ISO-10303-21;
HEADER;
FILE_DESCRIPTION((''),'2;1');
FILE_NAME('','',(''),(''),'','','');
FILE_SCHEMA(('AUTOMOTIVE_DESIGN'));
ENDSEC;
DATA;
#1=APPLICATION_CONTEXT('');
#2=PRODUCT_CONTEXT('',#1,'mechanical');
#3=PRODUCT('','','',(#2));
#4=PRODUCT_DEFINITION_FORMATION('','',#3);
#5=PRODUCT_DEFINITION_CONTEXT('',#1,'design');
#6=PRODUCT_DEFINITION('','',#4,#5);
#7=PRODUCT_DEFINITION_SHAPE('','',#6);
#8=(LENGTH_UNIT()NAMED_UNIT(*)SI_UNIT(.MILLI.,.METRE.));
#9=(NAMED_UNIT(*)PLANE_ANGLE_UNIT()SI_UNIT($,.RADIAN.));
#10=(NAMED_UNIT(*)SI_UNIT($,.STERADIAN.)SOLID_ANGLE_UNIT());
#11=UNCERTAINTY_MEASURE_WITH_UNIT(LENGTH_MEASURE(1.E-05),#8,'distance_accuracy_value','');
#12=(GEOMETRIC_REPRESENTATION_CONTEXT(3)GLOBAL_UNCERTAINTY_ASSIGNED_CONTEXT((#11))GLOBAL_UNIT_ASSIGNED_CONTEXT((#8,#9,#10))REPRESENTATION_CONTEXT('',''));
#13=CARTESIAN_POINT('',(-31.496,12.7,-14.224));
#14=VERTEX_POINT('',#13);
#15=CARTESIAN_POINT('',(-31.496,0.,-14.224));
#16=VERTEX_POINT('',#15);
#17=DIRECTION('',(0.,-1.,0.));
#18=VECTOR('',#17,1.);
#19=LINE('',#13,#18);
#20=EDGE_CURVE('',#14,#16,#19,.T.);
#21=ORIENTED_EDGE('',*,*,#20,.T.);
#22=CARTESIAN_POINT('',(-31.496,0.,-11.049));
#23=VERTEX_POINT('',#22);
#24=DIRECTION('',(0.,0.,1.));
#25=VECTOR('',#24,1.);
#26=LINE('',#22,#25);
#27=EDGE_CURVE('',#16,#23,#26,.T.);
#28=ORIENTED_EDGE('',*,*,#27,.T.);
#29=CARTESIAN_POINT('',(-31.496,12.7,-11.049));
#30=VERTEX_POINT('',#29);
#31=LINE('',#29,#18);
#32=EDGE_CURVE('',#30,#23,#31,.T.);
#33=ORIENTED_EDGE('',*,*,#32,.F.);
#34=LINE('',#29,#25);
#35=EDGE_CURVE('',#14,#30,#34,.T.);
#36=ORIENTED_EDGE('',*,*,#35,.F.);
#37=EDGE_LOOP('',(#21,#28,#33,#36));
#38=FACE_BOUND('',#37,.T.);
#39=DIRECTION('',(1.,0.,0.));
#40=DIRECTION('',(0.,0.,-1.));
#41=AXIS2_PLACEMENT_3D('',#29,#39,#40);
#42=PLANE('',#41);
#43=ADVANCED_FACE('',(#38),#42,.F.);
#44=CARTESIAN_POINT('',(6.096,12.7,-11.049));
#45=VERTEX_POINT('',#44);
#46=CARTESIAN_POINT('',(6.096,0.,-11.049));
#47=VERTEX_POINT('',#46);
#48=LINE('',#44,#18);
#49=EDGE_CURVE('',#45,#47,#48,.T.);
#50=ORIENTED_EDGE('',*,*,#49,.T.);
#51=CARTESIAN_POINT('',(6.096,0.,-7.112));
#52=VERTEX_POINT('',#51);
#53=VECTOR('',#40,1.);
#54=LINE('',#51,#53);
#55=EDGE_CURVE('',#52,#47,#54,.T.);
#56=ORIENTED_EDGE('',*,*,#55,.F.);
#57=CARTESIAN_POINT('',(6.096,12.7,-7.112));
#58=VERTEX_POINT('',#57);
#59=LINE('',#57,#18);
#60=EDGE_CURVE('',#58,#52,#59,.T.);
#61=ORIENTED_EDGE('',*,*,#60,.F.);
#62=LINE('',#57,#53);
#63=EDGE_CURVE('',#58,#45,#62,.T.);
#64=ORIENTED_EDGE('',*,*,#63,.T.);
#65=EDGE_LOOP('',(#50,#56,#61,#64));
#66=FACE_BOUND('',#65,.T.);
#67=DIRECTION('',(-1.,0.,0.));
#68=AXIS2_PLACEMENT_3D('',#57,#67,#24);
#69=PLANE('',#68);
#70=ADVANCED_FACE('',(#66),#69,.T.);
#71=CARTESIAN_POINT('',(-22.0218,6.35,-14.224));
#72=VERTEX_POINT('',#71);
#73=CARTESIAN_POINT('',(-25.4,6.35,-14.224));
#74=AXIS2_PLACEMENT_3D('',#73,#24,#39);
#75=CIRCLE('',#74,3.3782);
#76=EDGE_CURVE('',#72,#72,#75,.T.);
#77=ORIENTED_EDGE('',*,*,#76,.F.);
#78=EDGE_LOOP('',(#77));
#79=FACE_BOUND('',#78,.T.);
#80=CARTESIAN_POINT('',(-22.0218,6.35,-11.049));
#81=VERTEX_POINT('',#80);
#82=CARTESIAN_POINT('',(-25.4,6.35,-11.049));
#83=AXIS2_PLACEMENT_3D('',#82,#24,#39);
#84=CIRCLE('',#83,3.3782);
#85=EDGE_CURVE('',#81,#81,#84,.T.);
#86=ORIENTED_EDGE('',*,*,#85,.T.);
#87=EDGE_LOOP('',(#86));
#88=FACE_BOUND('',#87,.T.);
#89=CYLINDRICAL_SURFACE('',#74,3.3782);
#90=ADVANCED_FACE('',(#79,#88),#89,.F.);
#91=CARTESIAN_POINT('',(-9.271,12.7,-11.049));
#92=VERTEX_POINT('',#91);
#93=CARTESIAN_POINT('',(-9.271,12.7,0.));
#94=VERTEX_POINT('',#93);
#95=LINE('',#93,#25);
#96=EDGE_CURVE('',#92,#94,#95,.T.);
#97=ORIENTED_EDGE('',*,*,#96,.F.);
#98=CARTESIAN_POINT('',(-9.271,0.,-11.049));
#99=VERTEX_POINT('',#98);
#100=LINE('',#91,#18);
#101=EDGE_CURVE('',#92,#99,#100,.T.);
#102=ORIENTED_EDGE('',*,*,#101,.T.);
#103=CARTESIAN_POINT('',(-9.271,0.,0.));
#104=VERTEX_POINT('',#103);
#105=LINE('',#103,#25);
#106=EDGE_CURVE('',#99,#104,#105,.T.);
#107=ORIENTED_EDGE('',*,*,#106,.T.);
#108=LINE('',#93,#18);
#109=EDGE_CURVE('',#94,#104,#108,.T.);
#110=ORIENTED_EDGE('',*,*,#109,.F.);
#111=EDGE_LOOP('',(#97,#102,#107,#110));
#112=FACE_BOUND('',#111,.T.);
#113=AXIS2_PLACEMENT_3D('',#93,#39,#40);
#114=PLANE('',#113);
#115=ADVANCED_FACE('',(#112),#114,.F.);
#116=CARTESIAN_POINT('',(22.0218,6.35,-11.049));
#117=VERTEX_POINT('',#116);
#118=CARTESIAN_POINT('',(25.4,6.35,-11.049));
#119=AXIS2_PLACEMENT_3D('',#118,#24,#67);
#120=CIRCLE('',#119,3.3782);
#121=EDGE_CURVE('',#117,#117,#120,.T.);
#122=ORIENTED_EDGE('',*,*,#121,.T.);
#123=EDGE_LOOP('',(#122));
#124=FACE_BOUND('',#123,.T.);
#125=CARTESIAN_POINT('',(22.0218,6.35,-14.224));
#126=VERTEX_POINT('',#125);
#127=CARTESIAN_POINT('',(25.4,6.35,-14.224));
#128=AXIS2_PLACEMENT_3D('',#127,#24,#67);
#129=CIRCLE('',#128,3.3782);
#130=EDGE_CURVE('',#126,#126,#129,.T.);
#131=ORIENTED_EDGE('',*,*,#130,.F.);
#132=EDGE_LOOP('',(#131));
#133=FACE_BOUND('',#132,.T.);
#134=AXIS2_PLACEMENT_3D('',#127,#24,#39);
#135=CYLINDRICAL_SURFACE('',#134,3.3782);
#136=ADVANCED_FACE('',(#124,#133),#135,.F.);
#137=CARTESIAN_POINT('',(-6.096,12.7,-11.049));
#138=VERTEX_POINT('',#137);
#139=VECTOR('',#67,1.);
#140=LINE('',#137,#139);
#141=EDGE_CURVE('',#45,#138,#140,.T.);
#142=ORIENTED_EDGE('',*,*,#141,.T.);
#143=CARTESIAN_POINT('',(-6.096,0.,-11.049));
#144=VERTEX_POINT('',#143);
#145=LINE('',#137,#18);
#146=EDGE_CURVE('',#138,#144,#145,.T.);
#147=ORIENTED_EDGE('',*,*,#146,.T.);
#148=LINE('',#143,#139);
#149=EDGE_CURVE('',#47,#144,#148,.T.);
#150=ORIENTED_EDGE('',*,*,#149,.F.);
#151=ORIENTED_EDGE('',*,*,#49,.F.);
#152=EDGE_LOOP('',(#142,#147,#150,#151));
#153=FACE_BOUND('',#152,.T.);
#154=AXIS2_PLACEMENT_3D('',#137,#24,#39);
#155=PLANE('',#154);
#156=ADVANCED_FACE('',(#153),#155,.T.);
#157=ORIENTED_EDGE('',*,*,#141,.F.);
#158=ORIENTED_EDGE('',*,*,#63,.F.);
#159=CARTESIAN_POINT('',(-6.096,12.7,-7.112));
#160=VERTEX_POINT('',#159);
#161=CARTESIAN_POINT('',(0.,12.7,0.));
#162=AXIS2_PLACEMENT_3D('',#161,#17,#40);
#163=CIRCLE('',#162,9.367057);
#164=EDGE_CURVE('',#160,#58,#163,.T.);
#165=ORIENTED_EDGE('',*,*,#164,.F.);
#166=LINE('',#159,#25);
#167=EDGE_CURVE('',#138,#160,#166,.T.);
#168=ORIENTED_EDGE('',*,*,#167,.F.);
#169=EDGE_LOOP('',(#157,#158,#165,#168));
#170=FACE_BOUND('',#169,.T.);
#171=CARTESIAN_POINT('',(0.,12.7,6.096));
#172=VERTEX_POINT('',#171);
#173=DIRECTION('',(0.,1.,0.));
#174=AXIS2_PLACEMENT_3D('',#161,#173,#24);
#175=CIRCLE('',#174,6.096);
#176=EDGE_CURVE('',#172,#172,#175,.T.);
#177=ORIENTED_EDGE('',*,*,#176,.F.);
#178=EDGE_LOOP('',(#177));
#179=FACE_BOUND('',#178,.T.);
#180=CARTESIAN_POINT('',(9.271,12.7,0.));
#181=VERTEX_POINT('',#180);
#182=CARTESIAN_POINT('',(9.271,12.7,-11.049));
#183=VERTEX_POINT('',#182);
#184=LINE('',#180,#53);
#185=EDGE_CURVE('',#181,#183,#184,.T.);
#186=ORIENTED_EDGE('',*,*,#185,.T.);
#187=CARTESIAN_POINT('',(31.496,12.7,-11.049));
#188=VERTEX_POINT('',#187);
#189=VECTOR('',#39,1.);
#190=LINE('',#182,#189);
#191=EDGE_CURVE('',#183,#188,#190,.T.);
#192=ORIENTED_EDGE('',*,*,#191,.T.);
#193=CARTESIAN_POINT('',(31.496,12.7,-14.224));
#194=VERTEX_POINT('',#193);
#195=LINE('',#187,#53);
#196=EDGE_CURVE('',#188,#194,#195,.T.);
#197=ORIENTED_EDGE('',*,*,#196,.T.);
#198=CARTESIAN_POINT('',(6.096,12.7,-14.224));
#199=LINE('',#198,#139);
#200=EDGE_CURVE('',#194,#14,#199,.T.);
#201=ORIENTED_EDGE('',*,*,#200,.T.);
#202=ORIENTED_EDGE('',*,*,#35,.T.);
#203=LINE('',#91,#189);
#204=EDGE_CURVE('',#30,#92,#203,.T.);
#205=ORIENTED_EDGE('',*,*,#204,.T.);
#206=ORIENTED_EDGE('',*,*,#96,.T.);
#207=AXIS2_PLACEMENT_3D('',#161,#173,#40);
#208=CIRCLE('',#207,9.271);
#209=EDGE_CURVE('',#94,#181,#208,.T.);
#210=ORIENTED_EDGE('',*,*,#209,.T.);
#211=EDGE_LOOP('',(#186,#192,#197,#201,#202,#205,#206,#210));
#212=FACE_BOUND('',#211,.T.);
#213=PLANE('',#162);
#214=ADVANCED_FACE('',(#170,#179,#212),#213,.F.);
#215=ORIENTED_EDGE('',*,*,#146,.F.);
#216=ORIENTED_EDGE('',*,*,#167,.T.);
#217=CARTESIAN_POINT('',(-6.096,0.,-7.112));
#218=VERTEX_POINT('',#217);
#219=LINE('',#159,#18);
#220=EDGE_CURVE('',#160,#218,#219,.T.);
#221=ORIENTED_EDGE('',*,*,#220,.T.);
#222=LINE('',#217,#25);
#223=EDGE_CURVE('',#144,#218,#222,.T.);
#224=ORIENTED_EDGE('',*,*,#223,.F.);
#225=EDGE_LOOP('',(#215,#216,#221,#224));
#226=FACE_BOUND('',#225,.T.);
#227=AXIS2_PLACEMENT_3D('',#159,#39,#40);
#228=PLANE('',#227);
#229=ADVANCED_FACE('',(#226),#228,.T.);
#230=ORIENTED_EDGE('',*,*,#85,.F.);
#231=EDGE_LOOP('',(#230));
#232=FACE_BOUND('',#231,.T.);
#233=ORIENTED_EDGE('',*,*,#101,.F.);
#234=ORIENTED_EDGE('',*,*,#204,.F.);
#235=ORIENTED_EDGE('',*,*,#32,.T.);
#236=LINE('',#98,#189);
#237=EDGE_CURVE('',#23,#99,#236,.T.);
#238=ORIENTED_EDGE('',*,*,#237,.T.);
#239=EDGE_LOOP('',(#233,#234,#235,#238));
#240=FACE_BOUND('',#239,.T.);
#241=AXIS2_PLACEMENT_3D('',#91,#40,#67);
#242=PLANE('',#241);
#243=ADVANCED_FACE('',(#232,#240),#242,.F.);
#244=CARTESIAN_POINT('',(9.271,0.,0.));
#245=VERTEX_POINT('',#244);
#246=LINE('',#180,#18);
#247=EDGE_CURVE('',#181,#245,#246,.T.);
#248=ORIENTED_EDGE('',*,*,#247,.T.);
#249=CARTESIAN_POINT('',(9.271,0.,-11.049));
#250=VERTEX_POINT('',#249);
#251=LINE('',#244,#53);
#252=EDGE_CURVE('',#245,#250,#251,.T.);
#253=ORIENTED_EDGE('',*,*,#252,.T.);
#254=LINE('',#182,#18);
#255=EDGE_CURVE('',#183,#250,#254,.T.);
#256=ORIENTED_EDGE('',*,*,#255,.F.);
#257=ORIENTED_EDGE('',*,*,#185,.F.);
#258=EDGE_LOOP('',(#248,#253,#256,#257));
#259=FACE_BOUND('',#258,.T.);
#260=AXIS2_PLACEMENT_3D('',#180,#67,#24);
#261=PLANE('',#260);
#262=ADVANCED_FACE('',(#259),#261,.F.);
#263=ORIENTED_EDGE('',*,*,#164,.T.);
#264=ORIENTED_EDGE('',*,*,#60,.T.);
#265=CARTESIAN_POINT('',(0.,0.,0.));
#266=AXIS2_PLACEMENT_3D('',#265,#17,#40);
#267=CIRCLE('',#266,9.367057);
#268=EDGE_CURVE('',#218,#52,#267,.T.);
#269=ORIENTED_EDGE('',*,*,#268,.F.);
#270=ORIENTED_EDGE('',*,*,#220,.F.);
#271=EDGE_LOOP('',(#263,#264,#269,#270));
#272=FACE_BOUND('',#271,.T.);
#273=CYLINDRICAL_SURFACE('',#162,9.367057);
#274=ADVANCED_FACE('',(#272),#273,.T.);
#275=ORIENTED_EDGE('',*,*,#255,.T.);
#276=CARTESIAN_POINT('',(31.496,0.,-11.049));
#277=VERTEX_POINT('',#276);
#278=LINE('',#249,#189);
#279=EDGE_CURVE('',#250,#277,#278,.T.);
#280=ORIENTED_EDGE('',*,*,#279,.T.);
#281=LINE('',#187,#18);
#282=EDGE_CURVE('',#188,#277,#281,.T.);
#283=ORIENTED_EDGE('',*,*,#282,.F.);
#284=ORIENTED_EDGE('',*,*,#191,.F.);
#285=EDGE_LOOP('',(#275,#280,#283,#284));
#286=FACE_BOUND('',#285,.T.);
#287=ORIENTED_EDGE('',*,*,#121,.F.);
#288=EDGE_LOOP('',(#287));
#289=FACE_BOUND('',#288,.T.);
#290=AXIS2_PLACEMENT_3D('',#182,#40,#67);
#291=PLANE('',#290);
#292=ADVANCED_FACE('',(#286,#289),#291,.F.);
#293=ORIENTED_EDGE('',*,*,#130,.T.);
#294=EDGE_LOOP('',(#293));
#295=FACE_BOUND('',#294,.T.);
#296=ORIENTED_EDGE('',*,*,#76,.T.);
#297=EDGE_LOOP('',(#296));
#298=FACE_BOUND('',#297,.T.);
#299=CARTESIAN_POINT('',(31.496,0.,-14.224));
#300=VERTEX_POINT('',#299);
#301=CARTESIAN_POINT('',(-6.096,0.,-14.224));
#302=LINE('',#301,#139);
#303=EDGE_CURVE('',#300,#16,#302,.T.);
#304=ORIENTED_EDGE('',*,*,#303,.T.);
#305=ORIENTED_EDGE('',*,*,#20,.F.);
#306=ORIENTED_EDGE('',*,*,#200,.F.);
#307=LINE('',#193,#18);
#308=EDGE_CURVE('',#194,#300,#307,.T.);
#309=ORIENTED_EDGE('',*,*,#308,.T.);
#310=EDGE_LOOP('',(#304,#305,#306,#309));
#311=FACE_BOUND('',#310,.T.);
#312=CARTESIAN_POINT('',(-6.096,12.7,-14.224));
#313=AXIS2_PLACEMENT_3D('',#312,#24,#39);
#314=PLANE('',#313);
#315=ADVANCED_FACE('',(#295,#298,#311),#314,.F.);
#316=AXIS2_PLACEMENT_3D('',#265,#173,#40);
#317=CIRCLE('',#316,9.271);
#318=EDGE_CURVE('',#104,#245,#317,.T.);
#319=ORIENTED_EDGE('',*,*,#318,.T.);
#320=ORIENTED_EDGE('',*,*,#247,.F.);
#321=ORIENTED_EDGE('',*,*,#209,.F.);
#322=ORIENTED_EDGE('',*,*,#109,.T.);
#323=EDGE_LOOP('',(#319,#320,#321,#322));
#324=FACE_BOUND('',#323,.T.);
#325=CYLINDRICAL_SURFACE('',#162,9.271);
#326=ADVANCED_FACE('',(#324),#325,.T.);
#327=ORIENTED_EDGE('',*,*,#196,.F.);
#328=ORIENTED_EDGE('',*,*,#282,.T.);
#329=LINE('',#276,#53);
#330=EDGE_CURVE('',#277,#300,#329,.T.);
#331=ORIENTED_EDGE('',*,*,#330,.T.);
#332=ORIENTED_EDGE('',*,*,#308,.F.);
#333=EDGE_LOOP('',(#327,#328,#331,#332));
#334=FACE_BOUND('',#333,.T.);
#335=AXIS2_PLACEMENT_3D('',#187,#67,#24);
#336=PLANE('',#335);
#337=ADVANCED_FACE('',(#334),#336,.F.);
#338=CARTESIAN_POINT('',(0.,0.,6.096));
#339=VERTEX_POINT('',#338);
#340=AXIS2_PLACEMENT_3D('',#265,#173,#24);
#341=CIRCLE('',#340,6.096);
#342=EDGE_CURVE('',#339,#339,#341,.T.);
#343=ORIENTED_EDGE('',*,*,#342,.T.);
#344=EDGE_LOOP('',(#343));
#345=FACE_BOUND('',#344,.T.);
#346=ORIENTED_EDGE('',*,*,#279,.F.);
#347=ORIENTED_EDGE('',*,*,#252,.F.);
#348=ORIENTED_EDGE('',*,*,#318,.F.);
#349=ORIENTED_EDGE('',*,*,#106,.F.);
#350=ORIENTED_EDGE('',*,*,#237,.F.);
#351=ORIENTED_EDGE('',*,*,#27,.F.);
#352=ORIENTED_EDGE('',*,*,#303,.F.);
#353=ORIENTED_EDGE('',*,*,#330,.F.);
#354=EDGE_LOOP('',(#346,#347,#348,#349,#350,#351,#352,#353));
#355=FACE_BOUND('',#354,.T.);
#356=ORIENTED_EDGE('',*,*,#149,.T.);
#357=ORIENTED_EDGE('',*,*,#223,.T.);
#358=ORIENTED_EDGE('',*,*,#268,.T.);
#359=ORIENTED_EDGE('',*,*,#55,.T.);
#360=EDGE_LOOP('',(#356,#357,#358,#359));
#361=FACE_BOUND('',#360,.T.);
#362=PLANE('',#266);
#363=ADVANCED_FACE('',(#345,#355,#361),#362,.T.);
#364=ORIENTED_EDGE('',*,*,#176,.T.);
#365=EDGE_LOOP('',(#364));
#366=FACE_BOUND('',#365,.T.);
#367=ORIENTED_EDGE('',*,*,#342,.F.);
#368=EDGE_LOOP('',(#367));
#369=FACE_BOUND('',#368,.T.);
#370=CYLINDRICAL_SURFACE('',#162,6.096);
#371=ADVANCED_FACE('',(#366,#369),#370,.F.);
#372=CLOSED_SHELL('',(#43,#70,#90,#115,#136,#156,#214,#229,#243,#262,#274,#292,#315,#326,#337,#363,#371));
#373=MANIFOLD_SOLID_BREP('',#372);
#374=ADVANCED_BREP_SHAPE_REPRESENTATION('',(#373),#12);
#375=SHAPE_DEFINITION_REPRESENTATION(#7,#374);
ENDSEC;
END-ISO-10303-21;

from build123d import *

# Parameters (mm, degrees)
SKETCH1_R           = 6.096
BOSS_EXTRUDE1_DEPTH = 12.7
SKETCH2_R           = 3.3782
CUT_EXTRUDE1_DEPTH  = 4.175


with BuildPart() as part:
    # Sketch1 → Boss-Extrude1 (new body)
    with BuildSketch(Plane(origin=(0, 0, 0), x_dir=(1, 0, 0), z_dir=(0, 1, 0))):
        with BuildLine():
            Line((-9.271, 0), (-9.271, 11.049))
            Line((-9.271, 11.049), (-31.496, 11.049))
            Line((-31.496, 11.049), (-31.496, 14.224))
            Line((-31.496, 14.224), (-6.096, 14.224))
            Line((-6.096, 14.224), (6.096, 14.224))
            Line((6.096, 14.224), (31.496, 14.224))
            Line((31.496, 14.224), (31.496, 11.049))
            Line((31.496, 11.049), (9.271, 11.049))
            Line((9.271, 11.049), (9.271, 0))
            ThreePointArc((9.271, 0), (0, -9.271), (-9.271, 0))
        make_face()
        Circle(SKETCH1_R, mode=Mode.SUBTRACT)
        with BuildLine():
            Line((-6.096, 7.112), (-6.096, 11.049))
            Line((-6.096, 11.049), (6.096, 11.049))
            Line((6.096, 11.049), (6.096, 7.112))
            ThreePointArc((6.096, 7.112), (0, 9.367057169), (-6.096, 7.112))
        make_face(mode=Mode.SUBTRACT)
    extrude(amount=BOSS_EXTRUDE1_DEPTH)

    # Sketch2 → Cut-Extrude1 (cut, through all)
    with BuildSketch(Plane.XY.offset(-11.049)):
        with Locations((-25.4, 6.35)):
            Circle(SKETCH2_R)
        with Locations((25.4, 6.35)):
            Circle(SKETCH2_R)
    extrude(amount=-CUT_EXTRUDE1_DEPTH, mode=Mode.SUBTRACT)


solid = part.part
